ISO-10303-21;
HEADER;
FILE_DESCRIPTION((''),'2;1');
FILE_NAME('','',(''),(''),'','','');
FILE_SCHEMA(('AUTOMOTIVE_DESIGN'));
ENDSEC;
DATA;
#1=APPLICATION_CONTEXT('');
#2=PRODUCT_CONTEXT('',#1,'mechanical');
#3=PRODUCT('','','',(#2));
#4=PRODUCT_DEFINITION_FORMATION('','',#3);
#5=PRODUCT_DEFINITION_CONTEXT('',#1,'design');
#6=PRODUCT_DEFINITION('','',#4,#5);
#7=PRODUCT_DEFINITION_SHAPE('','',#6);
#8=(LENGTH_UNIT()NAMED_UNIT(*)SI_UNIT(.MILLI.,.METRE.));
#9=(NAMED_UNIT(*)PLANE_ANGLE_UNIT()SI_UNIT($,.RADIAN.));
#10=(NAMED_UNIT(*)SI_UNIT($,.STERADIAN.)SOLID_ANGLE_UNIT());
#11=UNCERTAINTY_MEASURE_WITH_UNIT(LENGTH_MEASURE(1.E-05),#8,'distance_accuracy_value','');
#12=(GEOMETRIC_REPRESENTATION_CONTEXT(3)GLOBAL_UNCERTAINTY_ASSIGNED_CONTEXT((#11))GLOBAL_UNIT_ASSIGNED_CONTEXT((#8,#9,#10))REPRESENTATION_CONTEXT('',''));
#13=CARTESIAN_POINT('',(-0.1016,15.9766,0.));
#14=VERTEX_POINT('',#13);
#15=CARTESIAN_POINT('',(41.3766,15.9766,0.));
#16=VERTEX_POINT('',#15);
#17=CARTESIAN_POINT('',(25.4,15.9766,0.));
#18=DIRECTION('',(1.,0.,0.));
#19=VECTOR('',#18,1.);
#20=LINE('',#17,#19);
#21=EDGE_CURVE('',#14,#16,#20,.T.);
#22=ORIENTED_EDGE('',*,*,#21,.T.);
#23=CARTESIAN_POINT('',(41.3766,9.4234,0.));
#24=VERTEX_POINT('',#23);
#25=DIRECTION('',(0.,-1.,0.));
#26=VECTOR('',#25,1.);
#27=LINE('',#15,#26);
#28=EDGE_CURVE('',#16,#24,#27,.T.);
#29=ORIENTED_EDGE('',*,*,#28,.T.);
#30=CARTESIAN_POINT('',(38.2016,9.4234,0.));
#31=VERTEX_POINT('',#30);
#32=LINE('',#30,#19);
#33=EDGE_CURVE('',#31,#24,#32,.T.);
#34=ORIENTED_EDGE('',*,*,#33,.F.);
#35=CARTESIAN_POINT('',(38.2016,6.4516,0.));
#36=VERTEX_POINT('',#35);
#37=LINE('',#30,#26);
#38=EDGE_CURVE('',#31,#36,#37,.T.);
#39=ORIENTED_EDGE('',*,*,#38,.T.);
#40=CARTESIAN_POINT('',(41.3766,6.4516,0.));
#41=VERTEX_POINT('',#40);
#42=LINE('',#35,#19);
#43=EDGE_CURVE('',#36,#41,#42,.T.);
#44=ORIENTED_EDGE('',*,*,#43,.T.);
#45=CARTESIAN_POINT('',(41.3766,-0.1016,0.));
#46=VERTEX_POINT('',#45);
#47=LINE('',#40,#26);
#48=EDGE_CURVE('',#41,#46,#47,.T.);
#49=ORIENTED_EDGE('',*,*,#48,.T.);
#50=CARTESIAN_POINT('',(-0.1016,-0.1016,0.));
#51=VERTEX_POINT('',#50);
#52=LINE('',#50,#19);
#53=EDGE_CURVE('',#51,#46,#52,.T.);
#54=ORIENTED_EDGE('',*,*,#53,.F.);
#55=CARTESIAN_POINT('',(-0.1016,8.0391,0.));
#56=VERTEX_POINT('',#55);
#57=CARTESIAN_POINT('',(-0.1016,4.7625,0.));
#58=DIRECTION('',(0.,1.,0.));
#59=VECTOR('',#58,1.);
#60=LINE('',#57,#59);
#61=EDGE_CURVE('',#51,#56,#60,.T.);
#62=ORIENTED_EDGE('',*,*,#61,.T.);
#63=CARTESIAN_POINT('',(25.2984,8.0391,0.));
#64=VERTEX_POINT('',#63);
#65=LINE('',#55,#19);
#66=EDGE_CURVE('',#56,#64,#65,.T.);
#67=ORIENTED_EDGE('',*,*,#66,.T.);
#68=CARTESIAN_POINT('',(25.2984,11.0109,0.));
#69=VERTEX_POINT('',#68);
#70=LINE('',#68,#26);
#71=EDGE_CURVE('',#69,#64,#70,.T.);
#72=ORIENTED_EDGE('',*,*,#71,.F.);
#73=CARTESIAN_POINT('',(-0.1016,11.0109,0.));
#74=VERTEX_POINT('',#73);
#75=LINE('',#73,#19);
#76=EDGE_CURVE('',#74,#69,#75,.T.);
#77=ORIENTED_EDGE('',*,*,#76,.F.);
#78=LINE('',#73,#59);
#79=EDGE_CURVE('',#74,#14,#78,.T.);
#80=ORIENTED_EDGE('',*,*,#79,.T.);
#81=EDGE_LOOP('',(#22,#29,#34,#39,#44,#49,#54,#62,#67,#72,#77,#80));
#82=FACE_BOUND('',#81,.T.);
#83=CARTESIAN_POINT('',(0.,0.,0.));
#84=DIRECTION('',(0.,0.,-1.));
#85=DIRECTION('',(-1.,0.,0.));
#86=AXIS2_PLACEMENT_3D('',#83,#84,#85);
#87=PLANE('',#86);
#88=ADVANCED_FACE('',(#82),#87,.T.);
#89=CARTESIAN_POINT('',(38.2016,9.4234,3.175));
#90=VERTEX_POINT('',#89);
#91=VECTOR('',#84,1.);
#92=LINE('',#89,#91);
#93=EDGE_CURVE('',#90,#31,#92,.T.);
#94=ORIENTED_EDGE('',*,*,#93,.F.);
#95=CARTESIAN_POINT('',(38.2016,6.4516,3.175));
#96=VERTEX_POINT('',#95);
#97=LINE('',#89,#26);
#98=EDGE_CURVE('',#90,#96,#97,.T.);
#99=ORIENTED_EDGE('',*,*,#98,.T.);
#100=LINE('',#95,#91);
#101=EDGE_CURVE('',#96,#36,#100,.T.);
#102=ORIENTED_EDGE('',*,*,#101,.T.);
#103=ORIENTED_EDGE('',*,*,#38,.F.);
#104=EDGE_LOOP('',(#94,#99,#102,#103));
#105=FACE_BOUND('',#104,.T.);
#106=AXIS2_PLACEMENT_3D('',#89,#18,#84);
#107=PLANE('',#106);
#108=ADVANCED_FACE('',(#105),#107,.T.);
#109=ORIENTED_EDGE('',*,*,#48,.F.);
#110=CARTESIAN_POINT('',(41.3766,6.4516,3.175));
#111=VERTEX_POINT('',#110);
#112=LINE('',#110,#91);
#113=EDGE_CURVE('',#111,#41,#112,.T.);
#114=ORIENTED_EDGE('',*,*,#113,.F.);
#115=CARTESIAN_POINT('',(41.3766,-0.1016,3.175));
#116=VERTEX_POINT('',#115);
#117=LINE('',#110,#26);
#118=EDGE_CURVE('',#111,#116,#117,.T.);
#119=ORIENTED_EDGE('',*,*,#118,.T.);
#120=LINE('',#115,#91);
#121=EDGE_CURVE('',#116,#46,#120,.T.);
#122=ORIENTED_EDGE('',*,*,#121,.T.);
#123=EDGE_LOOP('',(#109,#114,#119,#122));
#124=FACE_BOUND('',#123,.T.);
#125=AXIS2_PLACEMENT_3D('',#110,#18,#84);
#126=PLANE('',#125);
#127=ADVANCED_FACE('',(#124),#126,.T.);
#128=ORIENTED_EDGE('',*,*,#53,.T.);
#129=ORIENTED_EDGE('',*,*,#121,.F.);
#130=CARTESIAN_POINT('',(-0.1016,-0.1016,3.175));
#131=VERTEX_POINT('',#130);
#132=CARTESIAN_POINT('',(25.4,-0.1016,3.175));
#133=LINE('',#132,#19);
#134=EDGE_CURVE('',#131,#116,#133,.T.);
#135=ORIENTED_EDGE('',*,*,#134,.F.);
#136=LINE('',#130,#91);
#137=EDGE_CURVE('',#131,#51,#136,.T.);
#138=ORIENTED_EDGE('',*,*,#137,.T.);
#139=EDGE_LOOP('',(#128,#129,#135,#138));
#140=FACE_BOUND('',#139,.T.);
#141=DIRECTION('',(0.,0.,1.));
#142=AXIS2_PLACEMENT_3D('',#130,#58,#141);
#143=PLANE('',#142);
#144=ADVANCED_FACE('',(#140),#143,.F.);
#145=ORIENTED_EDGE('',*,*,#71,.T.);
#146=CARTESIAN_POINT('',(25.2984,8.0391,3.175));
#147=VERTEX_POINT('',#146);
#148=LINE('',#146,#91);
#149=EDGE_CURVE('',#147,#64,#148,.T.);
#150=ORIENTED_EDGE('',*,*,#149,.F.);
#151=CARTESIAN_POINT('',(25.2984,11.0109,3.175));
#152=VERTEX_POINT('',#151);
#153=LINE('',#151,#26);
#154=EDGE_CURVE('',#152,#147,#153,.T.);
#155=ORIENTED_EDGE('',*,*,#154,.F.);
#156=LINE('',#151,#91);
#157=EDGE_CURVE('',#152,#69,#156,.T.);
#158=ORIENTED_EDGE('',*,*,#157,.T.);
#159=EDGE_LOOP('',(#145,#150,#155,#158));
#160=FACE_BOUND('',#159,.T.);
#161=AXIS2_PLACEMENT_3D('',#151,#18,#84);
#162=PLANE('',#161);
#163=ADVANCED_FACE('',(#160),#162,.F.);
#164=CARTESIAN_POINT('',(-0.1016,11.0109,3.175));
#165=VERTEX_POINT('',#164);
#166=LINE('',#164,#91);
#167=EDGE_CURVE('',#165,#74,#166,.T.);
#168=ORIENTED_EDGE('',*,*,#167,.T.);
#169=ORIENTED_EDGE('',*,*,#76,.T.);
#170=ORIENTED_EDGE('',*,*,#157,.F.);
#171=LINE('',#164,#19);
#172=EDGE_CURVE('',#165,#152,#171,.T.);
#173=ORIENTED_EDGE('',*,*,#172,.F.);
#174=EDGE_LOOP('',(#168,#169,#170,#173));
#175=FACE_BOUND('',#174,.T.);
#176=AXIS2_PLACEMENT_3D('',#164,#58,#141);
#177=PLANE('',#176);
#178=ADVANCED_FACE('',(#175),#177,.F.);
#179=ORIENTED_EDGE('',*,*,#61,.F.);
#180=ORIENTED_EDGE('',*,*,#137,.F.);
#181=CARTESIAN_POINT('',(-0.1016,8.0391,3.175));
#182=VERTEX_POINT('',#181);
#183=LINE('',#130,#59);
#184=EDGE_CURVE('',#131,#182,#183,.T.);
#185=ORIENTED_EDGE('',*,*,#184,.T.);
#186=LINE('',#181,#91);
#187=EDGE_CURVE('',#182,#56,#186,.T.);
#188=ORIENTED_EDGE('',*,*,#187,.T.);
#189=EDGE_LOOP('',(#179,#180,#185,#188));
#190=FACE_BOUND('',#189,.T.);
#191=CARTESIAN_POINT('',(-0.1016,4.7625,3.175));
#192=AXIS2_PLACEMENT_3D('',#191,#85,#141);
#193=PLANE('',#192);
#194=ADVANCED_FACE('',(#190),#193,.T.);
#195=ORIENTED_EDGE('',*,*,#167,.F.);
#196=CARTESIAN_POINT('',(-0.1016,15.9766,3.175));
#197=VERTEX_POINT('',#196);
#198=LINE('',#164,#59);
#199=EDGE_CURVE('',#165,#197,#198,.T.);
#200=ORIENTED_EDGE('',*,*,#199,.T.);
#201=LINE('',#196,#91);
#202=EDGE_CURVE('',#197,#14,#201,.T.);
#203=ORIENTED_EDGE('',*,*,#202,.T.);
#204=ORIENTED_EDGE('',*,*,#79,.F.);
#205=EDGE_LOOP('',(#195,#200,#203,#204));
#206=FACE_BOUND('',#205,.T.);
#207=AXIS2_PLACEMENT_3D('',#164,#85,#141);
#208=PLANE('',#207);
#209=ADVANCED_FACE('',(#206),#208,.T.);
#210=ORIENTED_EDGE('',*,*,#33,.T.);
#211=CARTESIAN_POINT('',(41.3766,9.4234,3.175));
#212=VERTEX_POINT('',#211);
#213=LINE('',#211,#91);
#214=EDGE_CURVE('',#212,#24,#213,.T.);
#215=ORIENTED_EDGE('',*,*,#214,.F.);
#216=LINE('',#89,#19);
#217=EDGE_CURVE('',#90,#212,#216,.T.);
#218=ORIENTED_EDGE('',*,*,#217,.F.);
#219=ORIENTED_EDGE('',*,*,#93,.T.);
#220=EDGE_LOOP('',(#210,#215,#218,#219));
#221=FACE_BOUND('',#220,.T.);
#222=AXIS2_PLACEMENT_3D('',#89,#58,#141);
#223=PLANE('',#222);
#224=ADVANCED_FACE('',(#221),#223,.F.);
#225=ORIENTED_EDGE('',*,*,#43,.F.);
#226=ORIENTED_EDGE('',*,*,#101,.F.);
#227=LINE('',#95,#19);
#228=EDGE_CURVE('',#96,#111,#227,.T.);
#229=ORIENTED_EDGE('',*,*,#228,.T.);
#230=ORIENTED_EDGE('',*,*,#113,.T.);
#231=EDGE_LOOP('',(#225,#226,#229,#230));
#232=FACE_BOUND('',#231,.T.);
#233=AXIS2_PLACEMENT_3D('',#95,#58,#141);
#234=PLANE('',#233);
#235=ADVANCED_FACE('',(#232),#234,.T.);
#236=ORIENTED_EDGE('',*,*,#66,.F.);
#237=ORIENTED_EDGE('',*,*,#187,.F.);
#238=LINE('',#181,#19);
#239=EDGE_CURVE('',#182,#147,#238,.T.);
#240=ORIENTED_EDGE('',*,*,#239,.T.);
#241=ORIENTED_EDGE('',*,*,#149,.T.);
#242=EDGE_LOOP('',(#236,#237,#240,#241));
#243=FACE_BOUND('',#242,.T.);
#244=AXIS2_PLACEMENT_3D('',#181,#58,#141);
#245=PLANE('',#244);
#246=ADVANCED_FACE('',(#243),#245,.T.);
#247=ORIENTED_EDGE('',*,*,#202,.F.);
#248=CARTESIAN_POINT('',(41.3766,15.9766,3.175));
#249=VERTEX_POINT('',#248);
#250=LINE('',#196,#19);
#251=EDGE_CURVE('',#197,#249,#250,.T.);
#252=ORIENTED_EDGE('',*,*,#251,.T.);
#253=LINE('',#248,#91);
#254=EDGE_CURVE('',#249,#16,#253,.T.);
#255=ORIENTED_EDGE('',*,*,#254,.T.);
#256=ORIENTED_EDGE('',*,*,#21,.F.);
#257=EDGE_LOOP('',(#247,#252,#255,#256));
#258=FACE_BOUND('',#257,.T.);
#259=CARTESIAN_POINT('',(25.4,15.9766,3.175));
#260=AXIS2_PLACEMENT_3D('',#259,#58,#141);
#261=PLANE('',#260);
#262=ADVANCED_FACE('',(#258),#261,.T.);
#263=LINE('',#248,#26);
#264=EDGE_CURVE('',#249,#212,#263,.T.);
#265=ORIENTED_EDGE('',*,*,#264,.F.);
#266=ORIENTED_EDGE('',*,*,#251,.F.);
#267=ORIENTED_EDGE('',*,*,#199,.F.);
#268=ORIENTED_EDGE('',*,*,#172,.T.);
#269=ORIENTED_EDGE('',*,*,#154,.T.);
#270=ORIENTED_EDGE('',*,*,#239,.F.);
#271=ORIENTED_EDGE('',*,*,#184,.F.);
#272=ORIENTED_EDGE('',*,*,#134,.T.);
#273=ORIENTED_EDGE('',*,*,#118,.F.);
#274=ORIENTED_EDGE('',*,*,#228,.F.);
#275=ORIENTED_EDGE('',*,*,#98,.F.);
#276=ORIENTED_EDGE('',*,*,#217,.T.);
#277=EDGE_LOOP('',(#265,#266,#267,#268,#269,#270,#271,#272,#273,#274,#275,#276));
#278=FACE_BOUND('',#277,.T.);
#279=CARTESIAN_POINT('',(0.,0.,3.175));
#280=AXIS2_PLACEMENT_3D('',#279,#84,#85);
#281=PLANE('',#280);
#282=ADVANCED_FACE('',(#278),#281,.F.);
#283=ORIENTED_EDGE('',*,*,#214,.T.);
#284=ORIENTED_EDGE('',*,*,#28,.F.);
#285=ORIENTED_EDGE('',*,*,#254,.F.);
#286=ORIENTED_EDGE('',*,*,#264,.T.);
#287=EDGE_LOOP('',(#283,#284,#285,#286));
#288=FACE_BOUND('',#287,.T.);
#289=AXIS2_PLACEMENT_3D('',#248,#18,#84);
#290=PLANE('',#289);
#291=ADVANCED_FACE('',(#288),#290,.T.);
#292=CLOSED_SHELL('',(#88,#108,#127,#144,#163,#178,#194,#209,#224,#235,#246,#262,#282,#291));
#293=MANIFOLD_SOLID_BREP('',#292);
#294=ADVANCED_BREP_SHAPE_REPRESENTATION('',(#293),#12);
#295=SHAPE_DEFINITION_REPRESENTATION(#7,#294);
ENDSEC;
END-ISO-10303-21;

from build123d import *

# Parameters (mm, degrees)
BOSS_EXTRUDE1_DEPTH = 3.175


with BuildPart() as part:
    # Sketch1 → Boss-Extrude1 (new body)
    with BuildSketch(Plane.XY):
        Polygon((-0.1016, 15.9766), (-0.1016, 11.0109), (25.2984, 11.0109), (25.2984, 8.0391), (-0.1016, 8.0391), (-0.1016, -0.1016), (41.3766, -0.1016), (41.3766, 6.4516), (38.2016, 6.4516), (38.2016, 9.4234), (41.3766, 9.4234), (41.3766, 15.9766), align=None)
    extrude(amount=BOSS_EXTRUDE1_DEPTH)


solid = part.part
